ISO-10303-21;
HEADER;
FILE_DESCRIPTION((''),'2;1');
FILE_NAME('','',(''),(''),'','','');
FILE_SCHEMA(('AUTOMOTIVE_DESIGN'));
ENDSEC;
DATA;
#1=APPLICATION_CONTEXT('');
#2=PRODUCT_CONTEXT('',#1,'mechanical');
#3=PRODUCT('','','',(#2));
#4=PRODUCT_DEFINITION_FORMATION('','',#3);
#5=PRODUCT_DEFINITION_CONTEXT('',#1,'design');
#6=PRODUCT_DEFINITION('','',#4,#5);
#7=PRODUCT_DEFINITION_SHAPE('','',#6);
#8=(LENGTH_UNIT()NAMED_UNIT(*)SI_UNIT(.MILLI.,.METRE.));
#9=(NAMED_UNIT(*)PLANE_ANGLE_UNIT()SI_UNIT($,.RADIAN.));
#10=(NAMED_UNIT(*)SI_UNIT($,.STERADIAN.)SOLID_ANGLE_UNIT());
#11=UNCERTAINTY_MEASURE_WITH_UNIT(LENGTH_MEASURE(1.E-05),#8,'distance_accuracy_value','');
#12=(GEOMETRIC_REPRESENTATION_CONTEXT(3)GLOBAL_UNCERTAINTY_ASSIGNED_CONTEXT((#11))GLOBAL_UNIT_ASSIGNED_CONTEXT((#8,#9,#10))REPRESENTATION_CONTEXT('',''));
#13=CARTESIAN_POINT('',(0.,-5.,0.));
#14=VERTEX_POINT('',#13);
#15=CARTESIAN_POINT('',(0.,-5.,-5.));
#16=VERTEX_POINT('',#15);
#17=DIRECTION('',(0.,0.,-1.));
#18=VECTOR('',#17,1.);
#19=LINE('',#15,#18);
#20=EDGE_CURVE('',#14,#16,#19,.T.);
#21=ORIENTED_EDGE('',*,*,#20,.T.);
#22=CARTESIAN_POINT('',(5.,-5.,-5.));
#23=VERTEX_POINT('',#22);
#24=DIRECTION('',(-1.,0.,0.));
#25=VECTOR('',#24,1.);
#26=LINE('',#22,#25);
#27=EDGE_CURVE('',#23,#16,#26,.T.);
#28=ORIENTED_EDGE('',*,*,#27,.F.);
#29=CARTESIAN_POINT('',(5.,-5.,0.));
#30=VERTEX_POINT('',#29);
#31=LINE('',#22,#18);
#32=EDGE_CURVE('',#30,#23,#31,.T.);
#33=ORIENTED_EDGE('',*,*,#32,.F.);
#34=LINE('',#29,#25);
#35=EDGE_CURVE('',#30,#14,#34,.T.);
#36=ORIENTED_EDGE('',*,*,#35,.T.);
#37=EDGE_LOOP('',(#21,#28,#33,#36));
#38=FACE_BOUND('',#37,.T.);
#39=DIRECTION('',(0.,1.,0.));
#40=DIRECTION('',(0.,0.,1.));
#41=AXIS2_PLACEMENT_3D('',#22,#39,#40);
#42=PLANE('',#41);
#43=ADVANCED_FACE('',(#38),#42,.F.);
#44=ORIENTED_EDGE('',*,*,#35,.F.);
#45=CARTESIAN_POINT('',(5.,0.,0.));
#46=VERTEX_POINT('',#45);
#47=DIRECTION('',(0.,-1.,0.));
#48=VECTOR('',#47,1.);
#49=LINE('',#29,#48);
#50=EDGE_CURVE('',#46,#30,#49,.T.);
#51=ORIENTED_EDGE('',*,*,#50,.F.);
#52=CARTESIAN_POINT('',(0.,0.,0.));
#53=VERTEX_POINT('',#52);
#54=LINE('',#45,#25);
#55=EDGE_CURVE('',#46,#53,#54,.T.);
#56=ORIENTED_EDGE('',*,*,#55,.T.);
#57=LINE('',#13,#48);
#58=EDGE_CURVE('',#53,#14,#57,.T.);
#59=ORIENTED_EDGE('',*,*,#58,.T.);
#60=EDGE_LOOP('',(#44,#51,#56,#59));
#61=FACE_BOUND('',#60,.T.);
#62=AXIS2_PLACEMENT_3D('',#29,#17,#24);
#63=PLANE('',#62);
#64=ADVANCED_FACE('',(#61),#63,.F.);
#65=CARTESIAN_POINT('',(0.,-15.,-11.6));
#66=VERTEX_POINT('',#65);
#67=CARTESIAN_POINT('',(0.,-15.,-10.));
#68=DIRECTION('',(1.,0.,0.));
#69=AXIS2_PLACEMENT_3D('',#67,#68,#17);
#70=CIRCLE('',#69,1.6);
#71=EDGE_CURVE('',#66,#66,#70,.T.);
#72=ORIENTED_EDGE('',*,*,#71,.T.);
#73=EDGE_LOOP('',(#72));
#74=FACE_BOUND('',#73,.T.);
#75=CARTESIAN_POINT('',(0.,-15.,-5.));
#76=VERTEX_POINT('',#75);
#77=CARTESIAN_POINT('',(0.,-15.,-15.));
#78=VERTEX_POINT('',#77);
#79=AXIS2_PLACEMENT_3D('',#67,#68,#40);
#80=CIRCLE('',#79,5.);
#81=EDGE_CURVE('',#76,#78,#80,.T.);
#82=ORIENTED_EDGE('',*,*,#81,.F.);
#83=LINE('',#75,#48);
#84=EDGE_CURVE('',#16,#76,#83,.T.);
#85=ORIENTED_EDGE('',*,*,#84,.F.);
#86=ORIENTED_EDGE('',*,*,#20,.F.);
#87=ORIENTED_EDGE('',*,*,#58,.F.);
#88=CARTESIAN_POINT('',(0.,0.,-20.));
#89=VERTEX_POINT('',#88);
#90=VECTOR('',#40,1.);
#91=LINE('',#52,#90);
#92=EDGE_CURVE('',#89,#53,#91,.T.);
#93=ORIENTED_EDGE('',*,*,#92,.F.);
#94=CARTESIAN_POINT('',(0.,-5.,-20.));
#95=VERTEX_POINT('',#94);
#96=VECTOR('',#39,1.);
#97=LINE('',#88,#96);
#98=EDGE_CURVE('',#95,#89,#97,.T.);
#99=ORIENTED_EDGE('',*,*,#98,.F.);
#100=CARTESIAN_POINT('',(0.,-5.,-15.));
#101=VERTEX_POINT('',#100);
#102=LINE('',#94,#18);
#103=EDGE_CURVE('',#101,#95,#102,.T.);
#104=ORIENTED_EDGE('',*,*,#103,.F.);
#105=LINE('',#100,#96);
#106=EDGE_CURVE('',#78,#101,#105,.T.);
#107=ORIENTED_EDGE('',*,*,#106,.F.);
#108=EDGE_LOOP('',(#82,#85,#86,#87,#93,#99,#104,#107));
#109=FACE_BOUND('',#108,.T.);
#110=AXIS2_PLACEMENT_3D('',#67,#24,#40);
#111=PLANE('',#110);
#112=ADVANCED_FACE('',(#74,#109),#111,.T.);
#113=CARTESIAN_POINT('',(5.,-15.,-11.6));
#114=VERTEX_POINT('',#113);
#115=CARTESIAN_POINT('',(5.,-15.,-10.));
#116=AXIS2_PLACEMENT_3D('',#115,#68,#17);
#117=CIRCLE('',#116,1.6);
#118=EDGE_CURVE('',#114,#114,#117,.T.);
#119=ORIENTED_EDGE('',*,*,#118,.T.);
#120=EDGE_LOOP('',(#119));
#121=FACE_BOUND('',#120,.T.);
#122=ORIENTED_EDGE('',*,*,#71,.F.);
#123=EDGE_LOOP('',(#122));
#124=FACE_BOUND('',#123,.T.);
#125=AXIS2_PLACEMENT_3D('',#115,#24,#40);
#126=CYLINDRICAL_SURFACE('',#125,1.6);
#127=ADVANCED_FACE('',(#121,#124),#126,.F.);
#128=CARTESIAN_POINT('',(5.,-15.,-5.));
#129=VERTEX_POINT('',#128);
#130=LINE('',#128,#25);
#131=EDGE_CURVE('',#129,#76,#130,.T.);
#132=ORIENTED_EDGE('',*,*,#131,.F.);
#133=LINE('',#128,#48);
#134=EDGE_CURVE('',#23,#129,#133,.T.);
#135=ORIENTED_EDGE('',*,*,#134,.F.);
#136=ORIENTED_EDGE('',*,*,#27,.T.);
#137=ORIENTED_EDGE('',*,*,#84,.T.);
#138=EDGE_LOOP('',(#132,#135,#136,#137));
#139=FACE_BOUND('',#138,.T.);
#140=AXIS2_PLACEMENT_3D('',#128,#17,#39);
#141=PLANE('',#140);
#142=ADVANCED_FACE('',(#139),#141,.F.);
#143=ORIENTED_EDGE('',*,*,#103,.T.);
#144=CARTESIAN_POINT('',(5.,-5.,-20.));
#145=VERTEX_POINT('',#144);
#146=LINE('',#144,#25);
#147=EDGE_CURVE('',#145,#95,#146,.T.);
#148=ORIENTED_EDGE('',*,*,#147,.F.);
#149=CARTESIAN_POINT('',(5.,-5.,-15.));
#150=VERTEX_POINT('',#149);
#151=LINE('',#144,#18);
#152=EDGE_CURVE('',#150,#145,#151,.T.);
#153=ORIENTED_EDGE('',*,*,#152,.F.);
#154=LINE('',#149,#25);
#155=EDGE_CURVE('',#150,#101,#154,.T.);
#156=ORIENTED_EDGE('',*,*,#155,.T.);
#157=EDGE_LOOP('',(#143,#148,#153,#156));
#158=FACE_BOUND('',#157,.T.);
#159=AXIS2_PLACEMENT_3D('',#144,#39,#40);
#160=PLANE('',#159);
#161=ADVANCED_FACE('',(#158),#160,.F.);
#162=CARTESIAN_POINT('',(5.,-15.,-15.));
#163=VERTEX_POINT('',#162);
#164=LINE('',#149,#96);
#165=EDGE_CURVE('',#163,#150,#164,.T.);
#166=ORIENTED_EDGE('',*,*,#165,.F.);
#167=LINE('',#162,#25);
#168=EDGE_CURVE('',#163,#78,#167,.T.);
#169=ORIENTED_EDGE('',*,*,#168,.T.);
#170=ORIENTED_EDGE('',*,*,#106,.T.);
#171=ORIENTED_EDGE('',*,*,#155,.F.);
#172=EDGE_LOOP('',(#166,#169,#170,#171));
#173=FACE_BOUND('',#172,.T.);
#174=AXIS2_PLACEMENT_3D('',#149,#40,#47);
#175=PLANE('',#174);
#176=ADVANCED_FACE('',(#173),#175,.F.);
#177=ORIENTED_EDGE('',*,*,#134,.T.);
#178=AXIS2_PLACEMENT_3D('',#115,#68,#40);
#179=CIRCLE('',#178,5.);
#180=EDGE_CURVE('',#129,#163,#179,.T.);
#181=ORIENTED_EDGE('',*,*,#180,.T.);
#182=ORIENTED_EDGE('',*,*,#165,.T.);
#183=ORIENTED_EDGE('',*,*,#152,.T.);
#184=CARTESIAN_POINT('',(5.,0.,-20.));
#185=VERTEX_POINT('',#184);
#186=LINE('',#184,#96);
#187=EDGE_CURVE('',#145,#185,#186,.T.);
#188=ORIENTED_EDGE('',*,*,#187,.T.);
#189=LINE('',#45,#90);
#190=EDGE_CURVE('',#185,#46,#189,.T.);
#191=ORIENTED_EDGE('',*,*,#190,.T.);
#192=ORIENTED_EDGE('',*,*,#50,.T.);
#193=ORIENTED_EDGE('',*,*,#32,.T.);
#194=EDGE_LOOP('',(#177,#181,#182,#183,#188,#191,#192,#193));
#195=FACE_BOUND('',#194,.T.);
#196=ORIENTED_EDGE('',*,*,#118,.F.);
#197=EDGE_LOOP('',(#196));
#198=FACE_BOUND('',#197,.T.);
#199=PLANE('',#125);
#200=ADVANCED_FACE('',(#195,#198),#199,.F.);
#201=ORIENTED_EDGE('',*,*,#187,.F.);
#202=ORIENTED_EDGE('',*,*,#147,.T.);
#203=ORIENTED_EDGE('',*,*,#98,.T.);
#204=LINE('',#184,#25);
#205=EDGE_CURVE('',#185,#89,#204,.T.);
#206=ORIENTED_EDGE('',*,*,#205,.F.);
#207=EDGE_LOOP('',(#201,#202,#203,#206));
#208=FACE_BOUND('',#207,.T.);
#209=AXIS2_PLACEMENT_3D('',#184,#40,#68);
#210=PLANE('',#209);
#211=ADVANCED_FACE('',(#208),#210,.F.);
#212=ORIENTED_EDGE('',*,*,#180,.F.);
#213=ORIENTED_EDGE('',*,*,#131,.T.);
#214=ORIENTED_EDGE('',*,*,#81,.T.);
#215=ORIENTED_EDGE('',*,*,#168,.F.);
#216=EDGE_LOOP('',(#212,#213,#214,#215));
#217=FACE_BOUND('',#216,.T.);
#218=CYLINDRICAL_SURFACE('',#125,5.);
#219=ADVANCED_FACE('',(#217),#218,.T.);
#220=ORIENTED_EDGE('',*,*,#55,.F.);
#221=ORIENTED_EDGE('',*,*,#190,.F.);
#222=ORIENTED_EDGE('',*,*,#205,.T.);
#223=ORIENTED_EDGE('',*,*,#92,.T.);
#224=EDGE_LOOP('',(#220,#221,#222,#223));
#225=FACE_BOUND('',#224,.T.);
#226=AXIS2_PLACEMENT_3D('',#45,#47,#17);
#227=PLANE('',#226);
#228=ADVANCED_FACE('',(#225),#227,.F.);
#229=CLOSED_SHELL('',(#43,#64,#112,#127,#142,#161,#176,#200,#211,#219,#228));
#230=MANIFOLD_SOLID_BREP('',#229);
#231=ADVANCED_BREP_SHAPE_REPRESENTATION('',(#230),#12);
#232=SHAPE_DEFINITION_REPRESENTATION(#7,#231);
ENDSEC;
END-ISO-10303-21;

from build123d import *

# Parameters (mm, degrees)
SKETCH_3_R      = 1.6
EXTRUDE_1_DEPTH = 5


with BuildPart() as part:
    # 草图3 → 凸台-拉伸1 (new body)
    with BuildSketch(Plane(origin=(0, 0, 0), x_dir=(0, 0, -1), z_dir=(1, 0, 0))):
        with BuildLine():
            Line((0, 0), (20, 0))
            Line((20, 0), (20, -5))
            Line((20, -5), (15, -5))
            Line((15, -5), (15, -15))
            ThreePointArc((15, -15), (10, -20), (5, -15))
            Line((5, -15), (5, -5))
            Line((5, -5), (0, -5))
            Line((0, -5), (0, 0))
        make_face()
        with Locations((10, -15)):
            Circle(SKETCH_3_R, mode=Mode.SUBTRACT)
    extrude(amount=EXTRUDE_1_DEPTH)


solid = part.part
